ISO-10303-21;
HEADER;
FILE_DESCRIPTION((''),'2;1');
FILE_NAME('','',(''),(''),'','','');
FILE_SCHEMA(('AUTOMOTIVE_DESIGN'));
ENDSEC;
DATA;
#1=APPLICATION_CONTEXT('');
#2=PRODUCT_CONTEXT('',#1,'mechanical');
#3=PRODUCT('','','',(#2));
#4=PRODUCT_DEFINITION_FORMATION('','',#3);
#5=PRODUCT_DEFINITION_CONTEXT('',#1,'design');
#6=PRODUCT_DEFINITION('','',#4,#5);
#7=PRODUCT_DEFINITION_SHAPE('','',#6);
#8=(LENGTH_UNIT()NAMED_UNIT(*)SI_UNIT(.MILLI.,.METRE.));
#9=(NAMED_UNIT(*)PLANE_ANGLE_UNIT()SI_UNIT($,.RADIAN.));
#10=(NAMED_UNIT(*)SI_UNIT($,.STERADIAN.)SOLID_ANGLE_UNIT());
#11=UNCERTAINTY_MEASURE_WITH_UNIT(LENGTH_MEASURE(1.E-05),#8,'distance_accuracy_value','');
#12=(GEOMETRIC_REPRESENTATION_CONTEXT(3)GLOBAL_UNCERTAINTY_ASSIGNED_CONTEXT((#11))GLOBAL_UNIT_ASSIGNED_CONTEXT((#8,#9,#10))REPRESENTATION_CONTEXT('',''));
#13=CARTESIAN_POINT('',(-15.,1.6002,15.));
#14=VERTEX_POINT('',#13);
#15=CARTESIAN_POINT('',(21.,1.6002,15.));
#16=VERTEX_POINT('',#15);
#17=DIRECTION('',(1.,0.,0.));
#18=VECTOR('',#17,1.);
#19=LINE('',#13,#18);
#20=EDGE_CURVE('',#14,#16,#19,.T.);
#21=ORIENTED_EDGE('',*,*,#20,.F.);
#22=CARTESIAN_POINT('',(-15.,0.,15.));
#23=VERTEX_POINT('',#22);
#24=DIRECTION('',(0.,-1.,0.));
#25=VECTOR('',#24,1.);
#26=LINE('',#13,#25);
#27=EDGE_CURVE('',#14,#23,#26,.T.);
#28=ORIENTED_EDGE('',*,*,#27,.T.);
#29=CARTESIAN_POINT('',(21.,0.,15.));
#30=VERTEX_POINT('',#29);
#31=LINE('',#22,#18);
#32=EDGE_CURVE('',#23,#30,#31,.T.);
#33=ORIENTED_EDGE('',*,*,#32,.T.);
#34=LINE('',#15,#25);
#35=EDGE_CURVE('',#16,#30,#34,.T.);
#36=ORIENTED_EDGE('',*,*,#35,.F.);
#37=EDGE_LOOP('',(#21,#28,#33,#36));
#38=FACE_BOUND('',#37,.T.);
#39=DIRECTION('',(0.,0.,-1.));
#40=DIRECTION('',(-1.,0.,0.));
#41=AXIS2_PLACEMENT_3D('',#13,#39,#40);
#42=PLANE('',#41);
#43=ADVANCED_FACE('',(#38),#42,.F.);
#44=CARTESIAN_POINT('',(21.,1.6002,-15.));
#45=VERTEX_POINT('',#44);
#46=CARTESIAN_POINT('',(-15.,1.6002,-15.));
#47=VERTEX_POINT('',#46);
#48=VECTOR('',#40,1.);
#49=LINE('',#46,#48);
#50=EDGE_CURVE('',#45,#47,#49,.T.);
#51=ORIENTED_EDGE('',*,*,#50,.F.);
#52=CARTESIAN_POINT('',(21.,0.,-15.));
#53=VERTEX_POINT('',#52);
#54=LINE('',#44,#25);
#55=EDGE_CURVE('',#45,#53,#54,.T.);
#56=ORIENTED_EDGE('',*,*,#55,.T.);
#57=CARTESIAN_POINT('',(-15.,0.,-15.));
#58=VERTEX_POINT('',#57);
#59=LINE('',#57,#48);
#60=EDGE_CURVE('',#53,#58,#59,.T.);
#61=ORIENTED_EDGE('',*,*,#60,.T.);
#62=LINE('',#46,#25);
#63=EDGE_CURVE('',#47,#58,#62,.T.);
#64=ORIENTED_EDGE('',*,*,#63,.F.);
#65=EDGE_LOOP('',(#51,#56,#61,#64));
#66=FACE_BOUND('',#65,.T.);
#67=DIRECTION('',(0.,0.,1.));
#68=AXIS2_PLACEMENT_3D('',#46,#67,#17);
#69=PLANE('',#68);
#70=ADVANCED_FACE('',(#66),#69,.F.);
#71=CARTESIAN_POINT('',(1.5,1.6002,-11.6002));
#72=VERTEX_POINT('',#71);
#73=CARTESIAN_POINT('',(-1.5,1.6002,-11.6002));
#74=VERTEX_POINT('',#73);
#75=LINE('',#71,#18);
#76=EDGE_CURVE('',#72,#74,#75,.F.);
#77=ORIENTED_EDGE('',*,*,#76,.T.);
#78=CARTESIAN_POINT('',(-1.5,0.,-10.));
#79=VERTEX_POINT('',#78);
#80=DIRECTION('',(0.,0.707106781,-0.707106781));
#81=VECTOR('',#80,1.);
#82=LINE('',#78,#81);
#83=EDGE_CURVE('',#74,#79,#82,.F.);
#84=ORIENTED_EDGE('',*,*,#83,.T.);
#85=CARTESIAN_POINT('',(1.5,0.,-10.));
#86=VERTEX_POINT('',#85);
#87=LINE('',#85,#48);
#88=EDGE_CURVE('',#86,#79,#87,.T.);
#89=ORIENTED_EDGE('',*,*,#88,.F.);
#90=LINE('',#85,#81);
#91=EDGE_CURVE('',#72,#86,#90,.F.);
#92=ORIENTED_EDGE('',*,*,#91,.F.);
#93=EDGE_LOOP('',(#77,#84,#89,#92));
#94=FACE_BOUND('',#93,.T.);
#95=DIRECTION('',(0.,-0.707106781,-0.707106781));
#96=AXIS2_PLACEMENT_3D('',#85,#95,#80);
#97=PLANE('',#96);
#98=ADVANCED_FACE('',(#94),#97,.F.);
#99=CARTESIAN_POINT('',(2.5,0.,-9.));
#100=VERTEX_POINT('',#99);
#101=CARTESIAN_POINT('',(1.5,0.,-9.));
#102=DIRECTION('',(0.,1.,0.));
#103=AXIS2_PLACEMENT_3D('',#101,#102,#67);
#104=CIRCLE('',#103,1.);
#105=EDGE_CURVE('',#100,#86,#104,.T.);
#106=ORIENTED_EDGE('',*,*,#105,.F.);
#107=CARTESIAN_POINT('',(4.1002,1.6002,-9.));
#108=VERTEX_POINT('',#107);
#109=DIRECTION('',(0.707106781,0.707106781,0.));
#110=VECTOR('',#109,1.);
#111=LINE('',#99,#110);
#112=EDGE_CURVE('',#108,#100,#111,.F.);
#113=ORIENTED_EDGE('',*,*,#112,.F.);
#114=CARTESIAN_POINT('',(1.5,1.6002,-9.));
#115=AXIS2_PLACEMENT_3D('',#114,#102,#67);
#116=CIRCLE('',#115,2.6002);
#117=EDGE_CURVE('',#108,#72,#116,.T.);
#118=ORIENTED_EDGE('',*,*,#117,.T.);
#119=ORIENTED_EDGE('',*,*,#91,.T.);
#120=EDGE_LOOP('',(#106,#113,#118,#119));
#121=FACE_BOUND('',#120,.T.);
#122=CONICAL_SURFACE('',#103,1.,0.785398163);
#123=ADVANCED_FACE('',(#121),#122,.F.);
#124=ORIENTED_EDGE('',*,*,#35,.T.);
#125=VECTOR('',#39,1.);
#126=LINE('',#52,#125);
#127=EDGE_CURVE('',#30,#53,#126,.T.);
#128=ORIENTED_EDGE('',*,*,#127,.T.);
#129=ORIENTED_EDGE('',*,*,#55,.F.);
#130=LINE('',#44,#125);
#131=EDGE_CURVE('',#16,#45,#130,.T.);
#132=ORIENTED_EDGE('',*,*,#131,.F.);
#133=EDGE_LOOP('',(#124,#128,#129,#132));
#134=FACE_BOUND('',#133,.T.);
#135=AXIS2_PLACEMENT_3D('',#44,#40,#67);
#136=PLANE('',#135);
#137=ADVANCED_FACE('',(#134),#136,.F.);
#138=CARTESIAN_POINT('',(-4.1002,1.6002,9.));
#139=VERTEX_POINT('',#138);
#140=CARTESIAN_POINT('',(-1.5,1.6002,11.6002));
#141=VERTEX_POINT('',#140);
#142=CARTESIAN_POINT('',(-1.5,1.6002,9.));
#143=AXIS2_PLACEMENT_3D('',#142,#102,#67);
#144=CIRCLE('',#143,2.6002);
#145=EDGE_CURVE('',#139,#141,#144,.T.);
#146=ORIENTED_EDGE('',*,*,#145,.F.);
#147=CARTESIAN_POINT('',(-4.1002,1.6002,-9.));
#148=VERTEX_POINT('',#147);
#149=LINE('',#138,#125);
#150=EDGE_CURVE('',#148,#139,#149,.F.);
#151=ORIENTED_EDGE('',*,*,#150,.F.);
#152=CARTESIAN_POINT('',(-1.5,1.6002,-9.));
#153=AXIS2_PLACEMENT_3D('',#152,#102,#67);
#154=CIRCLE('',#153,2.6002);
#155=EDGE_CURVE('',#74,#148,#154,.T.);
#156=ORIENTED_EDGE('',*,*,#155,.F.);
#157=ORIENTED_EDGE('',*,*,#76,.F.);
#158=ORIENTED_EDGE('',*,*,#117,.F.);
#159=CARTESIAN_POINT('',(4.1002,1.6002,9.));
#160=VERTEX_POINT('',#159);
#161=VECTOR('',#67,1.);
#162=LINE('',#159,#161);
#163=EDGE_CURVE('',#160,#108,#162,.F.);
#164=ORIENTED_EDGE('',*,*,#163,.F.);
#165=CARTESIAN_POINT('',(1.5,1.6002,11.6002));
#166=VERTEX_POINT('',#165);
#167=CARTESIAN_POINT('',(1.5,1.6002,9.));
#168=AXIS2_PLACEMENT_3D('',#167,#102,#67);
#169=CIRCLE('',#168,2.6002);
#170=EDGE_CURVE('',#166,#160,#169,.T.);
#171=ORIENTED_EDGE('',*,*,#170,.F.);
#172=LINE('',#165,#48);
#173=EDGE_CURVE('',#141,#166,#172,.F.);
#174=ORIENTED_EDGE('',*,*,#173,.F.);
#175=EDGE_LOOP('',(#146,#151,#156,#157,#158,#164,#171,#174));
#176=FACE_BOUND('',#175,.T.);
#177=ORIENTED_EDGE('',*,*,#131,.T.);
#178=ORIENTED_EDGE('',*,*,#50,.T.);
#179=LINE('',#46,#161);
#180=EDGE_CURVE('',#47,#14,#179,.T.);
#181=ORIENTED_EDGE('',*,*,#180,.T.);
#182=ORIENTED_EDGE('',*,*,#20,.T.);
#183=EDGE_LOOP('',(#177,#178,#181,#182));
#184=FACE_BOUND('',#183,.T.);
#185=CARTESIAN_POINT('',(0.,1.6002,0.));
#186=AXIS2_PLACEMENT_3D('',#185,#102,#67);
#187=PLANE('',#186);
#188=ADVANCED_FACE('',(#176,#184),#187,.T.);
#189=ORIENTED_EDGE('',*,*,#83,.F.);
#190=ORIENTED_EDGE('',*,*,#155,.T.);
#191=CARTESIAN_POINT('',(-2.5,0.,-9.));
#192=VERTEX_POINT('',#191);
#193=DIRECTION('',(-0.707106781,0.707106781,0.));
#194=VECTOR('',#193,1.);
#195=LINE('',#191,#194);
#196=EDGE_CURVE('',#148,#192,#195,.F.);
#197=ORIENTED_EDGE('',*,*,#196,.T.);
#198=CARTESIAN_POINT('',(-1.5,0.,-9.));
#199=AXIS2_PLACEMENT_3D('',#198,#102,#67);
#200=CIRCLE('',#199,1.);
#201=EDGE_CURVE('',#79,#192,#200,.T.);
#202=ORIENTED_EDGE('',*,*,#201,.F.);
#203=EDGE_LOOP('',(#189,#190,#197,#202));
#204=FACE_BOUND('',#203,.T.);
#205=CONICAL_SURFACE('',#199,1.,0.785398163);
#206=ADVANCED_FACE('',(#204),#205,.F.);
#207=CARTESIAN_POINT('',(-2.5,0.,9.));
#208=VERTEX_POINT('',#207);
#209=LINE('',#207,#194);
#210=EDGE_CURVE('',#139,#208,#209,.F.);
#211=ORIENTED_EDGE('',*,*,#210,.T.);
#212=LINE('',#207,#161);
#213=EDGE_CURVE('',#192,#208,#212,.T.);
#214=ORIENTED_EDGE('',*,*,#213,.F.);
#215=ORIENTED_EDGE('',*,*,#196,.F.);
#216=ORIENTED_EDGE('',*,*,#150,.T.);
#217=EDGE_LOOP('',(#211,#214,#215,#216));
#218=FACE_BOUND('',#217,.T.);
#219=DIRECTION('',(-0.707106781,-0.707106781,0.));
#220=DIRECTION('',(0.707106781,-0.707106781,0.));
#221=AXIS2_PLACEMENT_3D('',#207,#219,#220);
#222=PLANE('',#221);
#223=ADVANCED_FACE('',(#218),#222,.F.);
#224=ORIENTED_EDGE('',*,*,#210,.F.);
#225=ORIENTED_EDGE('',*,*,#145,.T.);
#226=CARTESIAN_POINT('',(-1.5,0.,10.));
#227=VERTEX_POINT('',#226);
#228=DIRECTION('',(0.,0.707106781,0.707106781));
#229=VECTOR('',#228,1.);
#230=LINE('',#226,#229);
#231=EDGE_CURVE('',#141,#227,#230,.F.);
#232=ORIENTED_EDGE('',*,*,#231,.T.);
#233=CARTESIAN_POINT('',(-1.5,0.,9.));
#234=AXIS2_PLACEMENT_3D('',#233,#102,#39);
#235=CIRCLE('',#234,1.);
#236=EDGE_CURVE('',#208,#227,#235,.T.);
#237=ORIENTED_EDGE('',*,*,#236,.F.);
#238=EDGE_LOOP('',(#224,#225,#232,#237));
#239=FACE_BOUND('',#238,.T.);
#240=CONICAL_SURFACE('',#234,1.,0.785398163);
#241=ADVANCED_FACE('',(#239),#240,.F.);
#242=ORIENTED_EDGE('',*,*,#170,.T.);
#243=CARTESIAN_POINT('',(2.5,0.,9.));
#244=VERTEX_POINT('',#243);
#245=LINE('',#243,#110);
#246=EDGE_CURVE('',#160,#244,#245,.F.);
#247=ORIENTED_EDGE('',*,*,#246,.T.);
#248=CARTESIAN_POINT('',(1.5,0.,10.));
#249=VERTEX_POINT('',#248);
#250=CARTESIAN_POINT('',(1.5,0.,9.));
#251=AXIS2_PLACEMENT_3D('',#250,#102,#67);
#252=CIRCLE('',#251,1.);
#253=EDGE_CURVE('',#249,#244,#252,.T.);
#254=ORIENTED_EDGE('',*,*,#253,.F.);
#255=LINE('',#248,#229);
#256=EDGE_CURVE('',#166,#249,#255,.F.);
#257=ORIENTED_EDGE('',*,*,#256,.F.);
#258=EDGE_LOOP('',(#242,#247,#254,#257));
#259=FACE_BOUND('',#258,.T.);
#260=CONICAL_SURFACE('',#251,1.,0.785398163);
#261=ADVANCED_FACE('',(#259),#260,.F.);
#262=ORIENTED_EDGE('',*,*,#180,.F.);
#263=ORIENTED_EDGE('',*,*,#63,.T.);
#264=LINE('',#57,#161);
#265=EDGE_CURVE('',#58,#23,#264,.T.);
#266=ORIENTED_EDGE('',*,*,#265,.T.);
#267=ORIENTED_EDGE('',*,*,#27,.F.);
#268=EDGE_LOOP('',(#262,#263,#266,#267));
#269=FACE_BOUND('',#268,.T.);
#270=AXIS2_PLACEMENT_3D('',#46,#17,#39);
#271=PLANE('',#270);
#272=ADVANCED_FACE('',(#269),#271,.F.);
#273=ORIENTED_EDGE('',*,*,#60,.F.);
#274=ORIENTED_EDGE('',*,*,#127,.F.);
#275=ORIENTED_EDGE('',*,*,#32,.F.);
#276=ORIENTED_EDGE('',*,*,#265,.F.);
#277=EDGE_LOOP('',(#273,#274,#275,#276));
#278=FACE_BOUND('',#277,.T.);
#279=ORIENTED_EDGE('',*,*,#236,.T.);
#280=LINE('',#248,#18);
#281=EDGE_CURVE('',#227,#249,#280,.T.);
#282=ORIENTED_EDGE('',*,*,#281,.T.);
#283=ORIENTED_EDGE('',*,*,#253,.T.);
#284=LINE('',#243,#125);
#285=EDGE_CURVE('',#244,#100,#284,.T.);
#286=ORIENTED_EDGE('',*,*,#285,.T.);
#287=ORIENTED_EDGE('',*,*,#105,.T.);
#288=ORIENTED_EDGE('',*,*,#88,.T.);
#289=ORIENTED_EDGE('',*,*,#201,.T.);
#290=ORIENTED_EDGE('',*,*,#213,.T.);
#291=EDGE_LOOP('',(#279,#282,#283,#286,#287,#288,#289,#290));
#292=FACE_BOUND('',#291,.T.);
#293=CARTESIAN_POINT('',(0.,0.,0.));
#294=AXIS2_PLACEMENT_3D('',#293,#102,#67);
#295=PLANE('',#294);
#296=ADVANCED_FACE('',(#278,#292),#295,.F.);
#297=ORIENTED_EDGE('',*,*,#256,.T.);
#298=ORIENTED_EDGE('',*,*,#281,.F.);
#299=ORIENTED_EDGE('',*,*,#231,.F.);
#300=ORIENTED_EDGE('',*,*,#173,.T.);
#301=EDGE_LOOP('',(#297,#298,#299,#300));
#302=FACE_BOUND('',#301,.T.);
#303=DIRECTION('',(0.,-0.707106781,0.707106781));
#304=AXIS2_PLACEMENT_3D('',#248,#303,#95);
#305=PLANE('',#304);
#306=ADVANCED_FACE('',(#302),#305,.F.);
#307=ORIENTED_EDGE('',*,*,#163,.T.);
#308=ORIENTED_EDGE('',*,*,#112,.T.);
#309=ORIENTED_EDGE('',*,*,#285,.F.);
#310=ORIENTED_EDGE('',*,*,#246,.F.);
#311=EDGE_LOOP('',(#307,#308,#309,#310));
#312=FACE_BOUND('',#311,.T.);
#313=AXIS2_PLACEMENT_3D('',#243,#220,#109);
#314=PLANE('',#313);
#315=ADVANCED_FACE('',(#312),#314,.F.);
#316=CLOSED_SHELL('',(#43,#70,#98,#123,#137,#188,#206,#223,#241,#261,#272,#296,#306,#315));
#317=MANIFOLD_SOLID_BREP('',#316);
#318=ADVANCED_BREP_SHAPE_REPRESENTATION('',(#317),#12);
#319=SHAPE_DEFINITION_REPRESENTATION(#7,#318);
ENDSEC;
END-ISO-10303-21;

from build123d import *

# Parameters (mm, degrees)
SKETCH2_W           = 36
SKETCH2_H           = 30
BOSS_EXTRUDE1_DEPTH = 1.6002
CUT_EXTRUDE4_DEPTH  = 2.6002
CUT_EXTRUDE4_TAPER  = -45


with BuildPart() as part:
    # Sketch2 → Boss-Extrude1 (new body)
    with BuildSketch(Plane(origin=(0, 0, 0), x_dir=(1, 0, 0), z_dir=(0, 1, 0))):
        with Locations((3, 0)):
            Rectangle(SKETCH2_W, SKETCH2_H)
    extrude(amount=BOSS_EXTRUDE1_DEPTH)

    # Sketch4 → Cut-Extrude4 (cut, through all)
    with BuildSketch(Plane(origin=(0, 0, 0), x_dir=(1, 0, 0), z_dir=(0, 1, 0))):
        with BuildLine():
            ThreePointArc((1.5, -10), (2.207106781, -9.707106781), (2.5, -9))
            Line((2.5, -9), (2.5, 9))
            ThreePointArc((2.5, 9), (2.207106781, 9.707106781), (1.5, 10))
            Line((1.5, 10), (-1.5, 10))
            ThreePointArc((-1.5, 10), (-2.207106781, 9.707106781), (-2.5, 9))
            Line((-2.5, 9), (-2.5, -9))
            ThreePointArc((-2.5, -9), (-2.207106781, -9.707106781), (-1.5, -10))
            Line((-1.5, -10), (1.5, -10))
        make_face()
    extrude(amount=CUT_EXTRUDE4_DEPTH, taper=CUT_EXTRUDE4_TAPER, mode=Mode.SUBTRACT)


solid = part.part
